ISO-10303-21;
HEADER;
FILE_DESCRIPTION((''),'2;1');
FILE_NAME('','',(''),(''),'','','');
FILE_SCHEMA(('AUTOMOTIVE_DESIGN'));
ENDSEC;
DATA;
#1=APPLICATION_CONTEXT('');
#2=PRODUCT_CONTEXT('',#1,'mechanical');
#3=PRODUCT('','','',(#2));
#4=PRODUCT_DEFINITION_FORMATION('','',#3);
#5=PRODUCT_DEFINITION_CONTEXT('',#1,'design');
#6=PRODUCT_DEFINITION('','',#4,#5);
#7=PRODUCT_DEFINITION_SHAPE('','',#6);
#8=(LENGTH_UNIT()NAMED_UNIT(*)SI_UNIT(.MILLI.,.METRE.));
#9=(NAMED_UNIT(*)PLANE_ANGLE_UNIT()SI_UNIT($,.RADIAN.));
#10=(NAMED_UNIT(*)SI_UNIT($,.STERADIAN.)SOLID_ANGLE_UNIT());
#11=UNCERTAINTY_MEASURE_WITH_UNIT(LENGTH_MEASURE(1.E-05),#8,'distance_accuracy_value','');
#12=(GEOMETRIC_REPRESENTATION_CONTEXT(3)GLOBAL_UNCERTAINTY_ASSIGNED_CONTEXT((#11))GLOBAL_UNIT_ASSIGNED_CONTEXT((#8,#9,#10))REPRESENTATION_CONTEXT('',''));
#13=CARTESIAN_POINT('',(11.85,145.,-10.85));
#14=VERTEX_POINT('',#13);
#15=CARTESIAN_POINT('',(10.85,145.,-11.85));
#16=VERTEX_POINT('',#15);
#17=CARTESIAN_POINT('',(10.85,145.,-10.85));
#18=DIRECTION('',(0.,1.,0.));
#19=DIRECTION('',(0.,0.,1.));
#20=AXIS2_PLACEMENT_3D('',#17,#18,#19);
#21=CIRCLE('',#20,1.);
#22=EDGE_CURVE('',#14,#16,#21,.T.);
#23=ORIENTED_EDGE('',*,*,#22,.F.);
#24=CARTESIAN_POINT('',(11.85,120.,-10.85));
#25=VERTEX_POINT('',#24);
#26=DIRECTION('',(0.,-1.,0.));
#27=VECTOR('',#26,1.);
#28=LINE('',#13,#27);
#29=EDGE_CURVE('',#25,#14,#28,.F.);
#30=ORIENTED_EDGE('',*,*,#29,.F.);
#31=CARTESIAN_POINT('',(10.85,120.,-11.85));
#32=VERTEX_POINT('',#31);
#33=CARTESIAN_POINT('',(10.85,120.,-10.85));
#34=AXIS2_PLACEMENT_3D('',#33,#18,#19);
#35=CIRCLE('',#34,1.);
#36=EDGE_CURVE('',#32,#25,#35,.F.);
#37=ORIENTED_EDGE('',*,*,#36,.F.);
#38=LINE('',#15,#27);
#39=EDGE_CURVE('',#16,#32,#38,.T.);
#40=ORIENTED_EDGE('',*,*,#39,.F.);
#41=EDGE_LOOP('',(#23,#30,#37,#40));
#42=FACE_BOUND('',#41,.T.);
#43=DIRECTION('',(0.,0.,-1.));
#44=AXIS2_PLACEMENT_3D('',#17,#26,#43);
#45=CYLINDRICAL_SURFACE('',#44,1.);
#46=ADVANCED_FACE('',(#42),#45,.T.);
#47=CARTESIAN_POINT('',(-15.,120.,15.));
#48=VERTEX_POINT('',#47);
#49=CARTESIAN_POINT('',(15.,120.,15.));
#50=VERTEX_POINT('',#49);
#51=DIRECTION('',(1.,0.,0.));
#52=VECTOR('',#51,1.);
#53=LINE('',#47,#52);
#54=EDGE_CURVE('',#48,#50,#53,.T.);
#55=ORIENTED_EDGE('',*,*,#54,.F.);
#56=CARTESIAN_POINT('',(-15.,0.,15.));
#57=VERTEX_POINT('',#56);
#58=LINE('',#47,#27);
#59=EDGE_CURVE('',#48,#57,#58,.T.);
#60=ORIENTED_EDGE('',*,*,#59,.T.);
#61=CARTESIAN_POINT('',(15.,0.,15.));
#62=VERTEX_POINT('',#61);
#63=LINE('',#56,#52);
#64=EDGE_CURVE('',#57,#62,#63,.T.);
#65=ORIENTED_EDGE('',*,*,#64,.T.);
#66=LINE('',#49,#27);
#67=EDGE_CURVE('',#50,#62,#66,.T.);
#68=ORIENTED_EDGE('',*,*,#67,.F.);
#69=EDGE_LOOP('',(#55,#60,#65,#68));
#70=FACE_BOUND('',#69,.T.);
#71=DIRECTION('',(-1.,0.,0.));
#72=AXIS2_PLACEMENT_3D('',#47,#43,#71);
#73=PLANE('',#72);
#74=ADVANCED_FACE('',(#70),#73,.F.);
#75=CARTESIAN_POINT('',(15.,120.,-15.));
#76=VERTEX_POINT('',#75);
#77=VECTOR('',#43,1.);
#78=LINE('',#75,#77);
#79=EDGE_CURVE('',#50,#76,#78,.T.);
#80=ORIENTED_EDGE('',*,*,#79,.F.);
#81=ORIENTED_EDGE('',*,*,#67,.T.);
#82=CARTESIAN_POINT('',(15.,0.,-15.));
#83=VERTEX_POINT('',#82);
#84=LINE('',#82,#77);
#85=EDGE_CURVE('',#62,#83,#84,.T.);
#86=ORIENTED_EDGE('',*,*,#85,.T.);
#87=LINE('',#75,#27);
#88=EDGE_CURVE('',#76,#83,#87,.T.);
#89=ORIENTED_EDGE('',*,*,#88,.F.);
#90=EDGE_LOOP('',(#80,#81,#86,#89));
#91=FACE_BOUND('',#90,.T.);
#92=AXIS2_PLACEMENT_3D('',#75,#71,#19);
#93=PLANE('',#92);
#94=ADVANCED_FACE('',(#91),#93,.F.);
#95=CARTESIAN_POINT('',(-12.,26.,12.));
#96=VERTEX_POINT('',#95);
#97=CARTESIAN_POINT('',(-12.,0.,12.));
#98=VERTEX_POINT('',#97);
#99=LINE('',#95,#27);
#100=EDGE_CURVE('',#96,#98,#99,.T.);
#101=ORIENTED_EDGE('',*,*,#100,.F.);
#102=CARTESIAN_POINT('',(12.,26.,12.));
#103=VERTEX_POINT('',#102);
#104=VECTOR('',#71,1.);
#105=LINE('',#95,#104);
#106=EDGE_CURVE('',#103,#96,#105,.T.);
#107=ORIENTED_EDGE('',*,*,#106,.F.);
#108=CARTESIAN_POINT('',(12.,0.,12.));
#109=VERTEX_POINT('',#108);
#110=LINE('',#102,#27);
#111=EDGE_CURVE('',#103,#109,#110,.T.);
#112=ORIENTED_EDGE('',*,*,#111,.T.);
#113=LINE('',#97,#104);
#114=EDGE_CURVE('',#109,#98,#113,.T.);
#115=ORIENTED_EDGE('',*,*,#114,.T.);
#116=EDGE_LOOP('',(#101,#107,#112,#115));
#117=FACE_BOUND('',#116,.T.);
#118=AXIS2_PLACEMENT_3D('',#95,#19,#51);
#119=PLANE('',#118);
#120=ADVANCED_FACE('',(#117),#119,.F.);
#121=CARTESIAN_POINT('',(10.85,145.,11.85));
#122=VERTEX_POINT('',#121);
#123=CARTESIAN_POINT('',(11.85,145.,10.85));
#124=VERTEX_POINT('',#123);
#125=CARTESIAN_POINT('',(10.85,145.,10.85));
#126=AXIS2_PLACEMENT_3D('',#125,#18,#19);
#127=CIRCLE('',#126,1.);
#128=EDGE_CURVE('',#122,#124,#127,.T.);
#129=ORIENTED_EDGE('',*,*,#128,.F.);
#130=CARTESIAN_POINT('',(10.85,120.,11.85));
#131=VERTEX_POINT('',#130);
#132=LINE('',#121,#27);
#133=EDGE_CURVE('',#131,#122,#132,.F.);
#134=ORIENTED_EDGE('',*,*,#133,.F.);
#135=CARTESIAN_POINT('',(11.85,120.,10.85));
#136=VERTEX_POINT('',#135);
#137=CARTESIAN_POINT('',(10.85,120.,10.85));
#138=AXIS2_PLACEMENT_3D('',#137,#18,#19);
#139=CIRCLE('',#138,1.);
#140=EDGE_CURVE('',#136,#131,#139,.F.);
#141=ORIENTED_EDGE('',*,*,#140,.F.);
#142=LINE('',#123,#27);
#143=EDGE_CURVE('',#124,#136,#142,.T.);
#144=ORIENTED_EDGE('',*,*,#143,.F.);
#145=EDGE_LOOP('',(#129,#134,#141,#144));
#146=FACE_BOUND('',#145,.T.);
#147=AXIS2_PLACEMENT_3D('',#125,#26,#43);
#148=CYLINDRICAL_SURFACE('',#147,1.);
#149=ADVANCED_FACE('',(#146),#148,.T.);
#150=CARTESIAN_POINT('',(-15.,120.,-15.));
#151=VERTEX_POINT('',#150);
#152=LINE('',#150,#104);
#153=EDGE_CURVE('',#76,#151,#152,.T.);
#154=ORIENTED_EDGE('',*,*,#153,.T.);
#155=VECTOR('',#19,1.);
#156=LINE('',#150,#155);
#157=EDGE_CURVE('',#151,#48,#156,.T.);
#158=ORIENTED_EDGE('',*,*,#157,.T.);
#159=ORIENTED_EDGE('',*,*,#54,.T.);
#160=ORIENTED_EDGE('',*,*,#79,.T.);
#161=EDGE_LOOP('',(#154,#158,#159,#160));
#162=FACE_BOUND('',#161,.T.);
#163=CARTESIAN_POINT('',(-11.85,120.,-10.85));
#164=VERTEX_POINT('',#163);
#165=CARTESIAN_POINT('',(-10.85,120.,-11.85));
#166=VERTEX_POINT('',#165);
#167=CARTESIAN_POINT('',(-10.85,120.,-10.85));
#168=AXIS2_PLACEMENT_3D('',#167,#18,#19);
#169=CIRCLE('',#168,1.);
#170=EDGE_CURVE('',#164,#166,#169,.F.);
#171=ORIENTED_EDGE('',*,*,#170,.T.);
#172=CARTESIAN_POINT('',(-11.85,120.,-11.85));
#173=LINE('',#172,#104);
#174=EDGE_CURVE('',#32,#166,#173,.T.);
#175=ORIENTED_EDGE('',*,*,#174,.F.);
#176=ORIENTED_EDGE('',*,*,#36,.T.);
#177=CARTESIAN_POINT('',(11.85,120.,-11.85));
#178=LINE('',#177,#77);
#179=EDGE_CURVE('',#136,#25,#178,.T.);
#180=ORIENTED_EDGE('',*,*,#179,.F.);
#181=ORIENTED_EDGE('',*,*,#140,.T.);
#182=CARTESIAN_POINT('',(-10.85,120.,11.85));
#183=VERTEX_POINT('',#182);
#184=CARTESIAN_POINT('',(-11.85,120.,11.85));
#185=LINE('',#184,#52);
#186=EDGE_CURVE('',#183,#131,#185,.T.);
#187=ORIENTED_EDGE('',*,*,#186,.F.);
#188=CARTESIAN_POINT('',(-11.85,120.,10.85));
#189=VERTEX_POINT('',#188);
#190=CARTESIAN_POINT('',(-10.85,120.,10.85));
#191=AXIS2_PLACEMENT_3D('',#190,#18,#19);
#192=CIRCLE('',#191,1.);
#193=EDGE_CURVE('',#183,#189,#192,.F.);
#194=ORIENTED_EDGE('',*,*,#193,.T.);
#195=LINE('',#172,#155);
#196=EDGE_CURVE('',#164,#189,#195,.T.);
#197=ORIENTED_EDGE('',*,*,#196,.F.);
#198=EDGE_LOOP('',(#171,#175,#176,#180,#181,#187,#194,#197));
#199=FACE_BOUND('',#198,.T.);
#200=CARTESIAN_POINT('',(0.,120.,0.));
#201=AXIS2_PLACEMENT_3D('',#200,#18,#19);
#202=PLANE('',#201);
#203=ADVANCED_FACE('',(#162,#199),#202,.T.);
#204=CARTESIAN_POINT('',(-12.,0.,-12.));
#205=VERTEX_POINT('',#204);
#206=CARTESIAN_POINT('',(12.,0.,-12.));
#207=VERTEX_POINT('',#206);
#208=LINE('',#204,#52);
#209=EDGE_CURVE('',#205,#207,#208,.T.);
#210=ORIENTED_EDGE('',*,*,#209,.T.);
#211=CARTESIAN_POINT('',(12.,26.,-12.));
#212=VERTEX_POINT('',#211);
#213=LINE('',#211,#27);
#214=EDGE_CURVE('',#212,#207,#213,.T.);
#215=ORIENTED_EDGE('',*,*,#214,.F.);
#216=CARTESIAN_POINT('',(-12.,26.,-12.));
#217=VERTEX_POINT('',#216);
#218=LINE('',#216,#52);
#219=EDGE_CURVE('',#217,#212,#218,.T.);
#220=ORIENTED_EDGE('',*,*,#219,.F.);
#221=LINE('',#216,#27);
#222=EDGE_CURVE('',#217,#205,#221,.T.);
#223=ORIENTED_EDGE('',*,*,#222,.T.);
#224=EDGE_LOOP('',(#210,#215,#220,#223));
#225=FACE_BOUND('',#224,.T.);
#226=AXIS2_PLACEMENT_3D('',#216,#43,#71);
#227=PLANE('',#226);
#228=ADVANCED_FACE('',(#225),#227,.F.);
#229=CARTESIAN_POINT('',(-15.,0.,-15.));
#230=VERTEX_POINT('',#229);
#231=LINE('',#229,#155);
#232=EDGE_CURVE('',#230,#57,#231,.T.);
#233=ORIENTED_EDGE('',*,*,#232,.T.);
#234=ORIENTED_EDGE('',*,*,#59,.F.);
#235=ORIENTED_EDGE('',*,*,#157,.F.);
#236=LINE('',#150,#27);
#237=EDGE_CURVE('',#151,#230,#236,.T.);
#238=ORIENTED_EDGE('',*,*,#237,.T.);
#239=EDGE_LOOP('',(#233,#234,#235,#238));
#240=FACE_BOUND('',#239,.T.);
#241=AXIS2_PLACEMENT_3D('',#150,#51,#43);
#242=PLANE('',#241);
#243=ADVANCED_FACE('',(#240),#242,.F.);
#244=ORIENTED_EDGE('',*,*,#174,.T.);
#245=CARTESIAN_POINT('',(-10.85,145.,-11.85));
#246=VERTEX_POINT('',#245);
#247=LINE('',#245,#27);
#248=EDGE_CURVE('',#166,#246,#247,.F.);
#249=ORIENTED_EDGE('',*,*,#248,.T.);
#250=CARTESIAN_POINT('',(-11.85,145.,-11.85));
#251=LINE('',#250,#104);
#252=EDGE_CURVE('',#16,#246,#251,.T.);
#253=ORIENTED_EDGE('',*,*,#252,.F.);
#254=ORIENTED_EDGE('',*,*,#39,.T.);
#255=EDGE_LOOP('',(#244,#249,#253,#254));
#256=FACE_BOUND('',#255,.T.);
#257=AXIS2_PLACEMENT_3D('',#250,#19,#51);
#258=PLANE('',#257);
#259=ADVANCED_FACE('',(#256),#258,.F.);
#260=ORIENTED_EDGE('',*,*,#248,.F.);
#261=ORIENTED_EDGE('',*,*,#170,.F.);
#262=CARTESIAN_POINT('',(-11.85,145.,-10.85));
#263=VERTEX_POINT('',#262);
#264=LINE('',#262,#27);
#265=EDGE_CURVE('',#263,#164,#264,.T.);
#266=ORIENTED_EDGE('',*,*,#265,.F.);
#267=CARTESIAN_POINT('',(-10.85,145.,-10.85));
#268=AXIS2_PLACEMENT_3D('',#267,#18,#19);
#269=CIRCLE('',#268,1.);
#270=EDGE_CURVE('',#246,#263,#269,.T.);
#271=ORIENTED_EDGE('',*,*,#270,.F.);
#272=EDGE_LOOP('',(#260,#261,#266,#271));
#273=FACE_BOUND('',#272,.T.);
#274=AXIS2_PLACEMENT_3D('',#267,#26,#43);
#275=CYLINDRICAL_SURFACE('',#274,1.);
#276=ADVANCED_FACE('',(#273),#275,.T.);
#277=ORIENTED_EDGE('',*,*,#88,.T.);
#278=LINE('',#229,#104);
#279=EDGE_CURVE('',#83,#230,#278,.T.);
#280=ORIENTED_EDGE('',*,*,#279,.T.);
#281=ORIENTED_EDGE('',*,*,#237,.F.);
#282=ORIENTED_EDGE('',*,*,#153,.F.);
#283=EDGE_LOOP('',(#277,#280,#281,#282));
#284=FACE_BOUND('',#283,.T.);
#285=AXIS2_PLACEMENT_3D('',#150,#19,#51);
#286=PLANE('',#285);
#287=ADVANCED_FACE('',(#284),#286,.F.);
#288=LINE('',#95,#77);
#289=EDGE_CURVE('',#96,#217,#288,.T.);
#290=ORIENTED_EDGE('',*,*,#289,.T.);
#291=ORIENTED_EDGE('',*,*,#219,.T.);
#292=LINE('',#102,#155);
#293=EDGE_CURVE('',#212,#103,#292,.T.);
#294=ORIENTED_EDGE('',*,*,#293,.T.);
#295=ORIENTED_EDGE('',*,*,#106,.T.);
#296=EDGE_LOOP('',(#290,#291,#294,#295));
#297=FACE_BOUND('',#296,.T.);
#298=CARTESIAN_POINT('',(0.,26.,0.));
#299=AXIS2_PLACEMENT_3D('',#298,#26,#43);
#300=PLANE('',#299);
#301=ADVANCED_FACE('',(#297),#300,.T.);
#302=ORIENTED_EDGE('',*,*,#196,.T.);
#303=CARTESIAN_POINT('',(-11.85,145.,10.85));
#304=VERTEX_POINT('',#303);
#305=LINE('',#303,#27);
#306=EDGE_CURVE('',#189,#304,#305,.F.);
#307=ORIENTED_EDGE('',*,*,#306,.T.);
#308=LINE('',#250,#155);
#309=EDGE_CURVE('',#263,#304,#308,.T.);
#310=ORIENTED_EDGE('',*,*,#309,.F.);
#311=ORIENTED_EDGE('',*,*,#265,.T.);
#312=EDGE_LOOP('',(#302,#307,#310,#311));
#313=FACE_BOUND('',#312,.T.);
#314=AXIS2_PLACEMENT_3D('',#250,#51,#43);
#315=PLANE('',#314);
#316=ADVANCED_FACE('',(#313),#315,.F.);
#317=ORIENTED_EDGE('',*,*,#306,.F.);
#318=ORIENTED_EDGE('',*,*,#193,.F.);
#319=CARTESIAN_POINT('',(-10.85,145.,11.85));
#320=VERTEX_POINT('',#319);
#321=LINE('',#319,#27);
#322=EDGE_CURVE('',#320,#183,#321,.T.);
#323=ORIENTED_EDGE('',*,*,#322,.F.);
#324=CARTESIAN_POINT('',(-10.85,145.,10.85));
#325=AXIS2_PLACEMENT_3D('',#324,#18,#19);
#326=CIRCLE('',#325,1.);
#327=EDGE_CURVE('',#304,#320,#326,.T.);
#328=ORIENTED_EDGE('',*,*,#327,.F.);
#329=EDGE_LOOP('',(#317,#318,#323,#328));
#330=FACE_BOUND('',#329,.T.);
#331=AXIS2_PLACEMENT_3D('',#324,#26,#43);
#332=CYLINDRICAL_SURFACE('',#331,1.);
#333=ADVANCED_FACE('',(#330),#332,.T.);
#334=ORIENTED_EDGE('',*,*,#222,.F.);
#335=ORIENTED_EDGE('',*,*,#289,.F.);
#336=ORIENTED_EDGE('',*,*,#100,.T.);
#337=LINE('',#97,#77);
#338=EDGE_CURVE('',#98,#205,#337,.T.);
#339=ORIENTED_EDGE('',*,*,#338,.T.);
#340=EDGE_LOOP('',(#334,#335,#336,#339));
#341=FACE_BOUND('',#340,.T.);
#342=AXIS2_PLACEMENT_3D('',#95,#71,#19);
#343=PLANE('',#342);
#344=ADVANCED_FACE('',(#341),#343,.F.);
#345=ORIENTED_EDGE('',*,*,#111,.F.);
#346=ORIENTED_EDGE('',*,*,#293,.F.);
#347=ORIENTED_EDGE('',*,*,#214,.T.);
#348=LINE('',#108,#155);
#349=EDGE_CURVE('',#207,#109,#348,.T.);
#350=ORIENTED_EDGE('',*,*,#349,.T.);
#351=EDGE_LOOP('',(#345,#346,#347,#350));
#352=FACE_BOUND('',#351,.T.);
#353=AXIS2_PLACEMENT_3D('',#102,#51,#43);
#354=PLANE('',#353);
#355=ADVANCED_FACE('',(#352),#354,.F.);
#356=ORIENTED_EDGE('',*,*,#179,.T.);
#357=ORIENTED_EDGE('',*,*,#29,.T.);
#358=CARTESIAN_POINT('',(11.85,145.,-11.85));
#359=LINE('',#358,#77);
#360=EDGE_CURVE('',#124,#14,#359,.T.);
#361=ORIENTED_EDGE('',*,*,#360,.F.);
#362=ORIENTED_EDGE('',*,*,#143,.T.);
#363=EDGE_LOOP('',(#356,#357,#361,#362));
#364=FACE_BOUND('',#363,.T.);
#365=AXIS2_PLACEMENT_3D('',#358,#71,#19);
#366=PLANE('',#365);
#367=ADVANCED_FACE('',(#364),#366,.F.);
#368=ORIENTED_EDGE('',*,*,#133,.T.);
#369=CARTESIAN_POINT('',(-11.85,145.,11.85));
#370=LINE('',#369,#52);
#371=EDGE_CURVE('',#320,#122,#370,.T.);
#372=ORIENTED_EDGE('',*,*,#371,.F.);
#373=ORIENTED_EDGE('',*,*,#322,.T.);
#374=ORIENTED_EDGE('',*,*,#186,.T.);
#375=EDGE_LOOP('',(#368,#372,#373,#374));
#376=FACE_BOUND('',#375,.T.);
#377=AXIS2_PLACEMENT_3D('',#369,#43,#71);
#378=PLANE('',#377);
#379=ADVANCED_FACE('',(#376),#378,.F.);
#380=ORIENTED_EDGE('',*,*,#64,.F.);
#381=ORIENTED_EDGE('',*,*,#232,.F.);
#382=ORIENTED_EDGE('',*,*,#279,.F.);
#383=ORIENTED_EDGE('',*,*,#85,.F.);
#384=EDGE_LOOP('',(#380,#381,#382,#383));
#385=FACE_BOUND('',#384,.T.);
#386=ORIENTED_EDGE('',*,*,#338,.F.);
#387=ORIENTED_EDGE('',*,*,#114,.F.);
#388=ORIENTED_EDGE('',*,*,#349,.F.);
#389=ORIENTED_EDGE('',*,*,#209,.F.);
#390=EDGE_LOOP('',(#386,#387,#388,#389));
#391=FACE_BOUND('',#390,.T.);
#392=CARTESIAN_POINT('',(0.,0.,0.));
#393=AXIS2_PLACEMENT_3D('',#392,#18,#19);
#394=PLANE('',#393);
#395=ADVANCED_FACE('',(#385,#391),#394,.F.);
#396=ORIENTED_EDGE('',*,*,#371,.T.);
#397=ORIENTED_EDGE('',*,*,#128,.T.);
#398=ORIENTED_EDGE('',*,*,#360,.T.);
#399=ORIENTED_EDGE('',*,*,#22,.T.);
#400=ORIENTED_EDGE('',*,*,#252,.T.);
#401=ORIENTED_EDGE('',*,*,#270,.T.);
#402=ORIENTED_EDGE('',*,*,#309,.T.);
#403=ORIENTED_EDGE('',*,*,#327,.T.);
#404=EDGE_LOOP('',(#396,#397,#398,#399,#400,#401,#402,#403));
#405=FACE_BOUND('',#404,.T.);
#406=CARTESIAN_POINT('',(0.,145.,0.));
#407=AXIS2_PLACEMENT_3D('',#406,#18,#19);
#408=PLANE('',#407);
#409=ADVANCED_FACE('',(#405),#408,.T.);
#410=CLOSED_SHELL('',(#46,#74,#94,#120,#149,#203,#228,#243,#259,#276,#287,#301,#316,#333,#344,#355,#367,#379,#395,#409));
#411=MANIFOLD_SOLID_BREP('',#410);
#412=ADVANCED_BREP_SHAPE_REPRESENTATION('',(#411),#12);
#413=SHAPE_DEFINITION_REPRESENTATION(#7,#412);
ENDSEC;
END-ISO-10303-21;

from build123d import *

# Parameters (mm, degrees)
SKETCH1_W           = 30
SKETCH1_H           = 30
BOSS_EXTRUDE1_DEPTH = 120
SKETCH2_W           = 23.7
SKETCH2_H           = 23.7
BOSS_EXTRUDE2_DEPTH = 25
SKETCH3_W           = 24
SKETCH3_H           = 24
CUT_EXTRUDE1_DEPTH  = 26
FILLET1_R           = 1


with BuildPart() as part:
    # Sketch1 → Boss-Extrude1 (new body)
    with BuildSketch(Plane(origin=(0, 0, 0), x_dir=(1, 0, 0), z_dir=(0, 1, 0))):
        Rectangle(SKETCH1_W, SKETCH1_H)
    extrude(amount=BOSS_EXTRUDE1_DEPTH)

    # Sketch2 → Boss-Extrude2 (add)
    with BuildSketch(Plane(origin=(0, 120, 0), x_dir=(1, 0, 0), z_dir=(0, 1, 0))):
        Rectangle(SKETCH2_W, SKETCH2_H)
    extrude(amount=BOSS_EXTRUDE2_DEPTH)

    # Sketch3 → Cut-Extrude1 (cut)
    with BuildSketch(Plane.XZ):
        Rectangle(SKETCH3_W, SKETCH3_H)
    extrude(amount=-CUT_EXTRUDE1_DEPTH, mode=Mode.SUBTRACT)

    # Fillet1
    fillet1_edges = [part.edges().sort_by_distance(p)[0] for p in [
        (11.85, 132.5, 11.85),
        (11.85, 132.5, -11.85),
        (-11.85, 132.5, -11.85),
        (-11.85, 132.5, 11.85),
    ]]
    fillet(fillet1_edges, radius=FILLET1_R)


solid = part.part
